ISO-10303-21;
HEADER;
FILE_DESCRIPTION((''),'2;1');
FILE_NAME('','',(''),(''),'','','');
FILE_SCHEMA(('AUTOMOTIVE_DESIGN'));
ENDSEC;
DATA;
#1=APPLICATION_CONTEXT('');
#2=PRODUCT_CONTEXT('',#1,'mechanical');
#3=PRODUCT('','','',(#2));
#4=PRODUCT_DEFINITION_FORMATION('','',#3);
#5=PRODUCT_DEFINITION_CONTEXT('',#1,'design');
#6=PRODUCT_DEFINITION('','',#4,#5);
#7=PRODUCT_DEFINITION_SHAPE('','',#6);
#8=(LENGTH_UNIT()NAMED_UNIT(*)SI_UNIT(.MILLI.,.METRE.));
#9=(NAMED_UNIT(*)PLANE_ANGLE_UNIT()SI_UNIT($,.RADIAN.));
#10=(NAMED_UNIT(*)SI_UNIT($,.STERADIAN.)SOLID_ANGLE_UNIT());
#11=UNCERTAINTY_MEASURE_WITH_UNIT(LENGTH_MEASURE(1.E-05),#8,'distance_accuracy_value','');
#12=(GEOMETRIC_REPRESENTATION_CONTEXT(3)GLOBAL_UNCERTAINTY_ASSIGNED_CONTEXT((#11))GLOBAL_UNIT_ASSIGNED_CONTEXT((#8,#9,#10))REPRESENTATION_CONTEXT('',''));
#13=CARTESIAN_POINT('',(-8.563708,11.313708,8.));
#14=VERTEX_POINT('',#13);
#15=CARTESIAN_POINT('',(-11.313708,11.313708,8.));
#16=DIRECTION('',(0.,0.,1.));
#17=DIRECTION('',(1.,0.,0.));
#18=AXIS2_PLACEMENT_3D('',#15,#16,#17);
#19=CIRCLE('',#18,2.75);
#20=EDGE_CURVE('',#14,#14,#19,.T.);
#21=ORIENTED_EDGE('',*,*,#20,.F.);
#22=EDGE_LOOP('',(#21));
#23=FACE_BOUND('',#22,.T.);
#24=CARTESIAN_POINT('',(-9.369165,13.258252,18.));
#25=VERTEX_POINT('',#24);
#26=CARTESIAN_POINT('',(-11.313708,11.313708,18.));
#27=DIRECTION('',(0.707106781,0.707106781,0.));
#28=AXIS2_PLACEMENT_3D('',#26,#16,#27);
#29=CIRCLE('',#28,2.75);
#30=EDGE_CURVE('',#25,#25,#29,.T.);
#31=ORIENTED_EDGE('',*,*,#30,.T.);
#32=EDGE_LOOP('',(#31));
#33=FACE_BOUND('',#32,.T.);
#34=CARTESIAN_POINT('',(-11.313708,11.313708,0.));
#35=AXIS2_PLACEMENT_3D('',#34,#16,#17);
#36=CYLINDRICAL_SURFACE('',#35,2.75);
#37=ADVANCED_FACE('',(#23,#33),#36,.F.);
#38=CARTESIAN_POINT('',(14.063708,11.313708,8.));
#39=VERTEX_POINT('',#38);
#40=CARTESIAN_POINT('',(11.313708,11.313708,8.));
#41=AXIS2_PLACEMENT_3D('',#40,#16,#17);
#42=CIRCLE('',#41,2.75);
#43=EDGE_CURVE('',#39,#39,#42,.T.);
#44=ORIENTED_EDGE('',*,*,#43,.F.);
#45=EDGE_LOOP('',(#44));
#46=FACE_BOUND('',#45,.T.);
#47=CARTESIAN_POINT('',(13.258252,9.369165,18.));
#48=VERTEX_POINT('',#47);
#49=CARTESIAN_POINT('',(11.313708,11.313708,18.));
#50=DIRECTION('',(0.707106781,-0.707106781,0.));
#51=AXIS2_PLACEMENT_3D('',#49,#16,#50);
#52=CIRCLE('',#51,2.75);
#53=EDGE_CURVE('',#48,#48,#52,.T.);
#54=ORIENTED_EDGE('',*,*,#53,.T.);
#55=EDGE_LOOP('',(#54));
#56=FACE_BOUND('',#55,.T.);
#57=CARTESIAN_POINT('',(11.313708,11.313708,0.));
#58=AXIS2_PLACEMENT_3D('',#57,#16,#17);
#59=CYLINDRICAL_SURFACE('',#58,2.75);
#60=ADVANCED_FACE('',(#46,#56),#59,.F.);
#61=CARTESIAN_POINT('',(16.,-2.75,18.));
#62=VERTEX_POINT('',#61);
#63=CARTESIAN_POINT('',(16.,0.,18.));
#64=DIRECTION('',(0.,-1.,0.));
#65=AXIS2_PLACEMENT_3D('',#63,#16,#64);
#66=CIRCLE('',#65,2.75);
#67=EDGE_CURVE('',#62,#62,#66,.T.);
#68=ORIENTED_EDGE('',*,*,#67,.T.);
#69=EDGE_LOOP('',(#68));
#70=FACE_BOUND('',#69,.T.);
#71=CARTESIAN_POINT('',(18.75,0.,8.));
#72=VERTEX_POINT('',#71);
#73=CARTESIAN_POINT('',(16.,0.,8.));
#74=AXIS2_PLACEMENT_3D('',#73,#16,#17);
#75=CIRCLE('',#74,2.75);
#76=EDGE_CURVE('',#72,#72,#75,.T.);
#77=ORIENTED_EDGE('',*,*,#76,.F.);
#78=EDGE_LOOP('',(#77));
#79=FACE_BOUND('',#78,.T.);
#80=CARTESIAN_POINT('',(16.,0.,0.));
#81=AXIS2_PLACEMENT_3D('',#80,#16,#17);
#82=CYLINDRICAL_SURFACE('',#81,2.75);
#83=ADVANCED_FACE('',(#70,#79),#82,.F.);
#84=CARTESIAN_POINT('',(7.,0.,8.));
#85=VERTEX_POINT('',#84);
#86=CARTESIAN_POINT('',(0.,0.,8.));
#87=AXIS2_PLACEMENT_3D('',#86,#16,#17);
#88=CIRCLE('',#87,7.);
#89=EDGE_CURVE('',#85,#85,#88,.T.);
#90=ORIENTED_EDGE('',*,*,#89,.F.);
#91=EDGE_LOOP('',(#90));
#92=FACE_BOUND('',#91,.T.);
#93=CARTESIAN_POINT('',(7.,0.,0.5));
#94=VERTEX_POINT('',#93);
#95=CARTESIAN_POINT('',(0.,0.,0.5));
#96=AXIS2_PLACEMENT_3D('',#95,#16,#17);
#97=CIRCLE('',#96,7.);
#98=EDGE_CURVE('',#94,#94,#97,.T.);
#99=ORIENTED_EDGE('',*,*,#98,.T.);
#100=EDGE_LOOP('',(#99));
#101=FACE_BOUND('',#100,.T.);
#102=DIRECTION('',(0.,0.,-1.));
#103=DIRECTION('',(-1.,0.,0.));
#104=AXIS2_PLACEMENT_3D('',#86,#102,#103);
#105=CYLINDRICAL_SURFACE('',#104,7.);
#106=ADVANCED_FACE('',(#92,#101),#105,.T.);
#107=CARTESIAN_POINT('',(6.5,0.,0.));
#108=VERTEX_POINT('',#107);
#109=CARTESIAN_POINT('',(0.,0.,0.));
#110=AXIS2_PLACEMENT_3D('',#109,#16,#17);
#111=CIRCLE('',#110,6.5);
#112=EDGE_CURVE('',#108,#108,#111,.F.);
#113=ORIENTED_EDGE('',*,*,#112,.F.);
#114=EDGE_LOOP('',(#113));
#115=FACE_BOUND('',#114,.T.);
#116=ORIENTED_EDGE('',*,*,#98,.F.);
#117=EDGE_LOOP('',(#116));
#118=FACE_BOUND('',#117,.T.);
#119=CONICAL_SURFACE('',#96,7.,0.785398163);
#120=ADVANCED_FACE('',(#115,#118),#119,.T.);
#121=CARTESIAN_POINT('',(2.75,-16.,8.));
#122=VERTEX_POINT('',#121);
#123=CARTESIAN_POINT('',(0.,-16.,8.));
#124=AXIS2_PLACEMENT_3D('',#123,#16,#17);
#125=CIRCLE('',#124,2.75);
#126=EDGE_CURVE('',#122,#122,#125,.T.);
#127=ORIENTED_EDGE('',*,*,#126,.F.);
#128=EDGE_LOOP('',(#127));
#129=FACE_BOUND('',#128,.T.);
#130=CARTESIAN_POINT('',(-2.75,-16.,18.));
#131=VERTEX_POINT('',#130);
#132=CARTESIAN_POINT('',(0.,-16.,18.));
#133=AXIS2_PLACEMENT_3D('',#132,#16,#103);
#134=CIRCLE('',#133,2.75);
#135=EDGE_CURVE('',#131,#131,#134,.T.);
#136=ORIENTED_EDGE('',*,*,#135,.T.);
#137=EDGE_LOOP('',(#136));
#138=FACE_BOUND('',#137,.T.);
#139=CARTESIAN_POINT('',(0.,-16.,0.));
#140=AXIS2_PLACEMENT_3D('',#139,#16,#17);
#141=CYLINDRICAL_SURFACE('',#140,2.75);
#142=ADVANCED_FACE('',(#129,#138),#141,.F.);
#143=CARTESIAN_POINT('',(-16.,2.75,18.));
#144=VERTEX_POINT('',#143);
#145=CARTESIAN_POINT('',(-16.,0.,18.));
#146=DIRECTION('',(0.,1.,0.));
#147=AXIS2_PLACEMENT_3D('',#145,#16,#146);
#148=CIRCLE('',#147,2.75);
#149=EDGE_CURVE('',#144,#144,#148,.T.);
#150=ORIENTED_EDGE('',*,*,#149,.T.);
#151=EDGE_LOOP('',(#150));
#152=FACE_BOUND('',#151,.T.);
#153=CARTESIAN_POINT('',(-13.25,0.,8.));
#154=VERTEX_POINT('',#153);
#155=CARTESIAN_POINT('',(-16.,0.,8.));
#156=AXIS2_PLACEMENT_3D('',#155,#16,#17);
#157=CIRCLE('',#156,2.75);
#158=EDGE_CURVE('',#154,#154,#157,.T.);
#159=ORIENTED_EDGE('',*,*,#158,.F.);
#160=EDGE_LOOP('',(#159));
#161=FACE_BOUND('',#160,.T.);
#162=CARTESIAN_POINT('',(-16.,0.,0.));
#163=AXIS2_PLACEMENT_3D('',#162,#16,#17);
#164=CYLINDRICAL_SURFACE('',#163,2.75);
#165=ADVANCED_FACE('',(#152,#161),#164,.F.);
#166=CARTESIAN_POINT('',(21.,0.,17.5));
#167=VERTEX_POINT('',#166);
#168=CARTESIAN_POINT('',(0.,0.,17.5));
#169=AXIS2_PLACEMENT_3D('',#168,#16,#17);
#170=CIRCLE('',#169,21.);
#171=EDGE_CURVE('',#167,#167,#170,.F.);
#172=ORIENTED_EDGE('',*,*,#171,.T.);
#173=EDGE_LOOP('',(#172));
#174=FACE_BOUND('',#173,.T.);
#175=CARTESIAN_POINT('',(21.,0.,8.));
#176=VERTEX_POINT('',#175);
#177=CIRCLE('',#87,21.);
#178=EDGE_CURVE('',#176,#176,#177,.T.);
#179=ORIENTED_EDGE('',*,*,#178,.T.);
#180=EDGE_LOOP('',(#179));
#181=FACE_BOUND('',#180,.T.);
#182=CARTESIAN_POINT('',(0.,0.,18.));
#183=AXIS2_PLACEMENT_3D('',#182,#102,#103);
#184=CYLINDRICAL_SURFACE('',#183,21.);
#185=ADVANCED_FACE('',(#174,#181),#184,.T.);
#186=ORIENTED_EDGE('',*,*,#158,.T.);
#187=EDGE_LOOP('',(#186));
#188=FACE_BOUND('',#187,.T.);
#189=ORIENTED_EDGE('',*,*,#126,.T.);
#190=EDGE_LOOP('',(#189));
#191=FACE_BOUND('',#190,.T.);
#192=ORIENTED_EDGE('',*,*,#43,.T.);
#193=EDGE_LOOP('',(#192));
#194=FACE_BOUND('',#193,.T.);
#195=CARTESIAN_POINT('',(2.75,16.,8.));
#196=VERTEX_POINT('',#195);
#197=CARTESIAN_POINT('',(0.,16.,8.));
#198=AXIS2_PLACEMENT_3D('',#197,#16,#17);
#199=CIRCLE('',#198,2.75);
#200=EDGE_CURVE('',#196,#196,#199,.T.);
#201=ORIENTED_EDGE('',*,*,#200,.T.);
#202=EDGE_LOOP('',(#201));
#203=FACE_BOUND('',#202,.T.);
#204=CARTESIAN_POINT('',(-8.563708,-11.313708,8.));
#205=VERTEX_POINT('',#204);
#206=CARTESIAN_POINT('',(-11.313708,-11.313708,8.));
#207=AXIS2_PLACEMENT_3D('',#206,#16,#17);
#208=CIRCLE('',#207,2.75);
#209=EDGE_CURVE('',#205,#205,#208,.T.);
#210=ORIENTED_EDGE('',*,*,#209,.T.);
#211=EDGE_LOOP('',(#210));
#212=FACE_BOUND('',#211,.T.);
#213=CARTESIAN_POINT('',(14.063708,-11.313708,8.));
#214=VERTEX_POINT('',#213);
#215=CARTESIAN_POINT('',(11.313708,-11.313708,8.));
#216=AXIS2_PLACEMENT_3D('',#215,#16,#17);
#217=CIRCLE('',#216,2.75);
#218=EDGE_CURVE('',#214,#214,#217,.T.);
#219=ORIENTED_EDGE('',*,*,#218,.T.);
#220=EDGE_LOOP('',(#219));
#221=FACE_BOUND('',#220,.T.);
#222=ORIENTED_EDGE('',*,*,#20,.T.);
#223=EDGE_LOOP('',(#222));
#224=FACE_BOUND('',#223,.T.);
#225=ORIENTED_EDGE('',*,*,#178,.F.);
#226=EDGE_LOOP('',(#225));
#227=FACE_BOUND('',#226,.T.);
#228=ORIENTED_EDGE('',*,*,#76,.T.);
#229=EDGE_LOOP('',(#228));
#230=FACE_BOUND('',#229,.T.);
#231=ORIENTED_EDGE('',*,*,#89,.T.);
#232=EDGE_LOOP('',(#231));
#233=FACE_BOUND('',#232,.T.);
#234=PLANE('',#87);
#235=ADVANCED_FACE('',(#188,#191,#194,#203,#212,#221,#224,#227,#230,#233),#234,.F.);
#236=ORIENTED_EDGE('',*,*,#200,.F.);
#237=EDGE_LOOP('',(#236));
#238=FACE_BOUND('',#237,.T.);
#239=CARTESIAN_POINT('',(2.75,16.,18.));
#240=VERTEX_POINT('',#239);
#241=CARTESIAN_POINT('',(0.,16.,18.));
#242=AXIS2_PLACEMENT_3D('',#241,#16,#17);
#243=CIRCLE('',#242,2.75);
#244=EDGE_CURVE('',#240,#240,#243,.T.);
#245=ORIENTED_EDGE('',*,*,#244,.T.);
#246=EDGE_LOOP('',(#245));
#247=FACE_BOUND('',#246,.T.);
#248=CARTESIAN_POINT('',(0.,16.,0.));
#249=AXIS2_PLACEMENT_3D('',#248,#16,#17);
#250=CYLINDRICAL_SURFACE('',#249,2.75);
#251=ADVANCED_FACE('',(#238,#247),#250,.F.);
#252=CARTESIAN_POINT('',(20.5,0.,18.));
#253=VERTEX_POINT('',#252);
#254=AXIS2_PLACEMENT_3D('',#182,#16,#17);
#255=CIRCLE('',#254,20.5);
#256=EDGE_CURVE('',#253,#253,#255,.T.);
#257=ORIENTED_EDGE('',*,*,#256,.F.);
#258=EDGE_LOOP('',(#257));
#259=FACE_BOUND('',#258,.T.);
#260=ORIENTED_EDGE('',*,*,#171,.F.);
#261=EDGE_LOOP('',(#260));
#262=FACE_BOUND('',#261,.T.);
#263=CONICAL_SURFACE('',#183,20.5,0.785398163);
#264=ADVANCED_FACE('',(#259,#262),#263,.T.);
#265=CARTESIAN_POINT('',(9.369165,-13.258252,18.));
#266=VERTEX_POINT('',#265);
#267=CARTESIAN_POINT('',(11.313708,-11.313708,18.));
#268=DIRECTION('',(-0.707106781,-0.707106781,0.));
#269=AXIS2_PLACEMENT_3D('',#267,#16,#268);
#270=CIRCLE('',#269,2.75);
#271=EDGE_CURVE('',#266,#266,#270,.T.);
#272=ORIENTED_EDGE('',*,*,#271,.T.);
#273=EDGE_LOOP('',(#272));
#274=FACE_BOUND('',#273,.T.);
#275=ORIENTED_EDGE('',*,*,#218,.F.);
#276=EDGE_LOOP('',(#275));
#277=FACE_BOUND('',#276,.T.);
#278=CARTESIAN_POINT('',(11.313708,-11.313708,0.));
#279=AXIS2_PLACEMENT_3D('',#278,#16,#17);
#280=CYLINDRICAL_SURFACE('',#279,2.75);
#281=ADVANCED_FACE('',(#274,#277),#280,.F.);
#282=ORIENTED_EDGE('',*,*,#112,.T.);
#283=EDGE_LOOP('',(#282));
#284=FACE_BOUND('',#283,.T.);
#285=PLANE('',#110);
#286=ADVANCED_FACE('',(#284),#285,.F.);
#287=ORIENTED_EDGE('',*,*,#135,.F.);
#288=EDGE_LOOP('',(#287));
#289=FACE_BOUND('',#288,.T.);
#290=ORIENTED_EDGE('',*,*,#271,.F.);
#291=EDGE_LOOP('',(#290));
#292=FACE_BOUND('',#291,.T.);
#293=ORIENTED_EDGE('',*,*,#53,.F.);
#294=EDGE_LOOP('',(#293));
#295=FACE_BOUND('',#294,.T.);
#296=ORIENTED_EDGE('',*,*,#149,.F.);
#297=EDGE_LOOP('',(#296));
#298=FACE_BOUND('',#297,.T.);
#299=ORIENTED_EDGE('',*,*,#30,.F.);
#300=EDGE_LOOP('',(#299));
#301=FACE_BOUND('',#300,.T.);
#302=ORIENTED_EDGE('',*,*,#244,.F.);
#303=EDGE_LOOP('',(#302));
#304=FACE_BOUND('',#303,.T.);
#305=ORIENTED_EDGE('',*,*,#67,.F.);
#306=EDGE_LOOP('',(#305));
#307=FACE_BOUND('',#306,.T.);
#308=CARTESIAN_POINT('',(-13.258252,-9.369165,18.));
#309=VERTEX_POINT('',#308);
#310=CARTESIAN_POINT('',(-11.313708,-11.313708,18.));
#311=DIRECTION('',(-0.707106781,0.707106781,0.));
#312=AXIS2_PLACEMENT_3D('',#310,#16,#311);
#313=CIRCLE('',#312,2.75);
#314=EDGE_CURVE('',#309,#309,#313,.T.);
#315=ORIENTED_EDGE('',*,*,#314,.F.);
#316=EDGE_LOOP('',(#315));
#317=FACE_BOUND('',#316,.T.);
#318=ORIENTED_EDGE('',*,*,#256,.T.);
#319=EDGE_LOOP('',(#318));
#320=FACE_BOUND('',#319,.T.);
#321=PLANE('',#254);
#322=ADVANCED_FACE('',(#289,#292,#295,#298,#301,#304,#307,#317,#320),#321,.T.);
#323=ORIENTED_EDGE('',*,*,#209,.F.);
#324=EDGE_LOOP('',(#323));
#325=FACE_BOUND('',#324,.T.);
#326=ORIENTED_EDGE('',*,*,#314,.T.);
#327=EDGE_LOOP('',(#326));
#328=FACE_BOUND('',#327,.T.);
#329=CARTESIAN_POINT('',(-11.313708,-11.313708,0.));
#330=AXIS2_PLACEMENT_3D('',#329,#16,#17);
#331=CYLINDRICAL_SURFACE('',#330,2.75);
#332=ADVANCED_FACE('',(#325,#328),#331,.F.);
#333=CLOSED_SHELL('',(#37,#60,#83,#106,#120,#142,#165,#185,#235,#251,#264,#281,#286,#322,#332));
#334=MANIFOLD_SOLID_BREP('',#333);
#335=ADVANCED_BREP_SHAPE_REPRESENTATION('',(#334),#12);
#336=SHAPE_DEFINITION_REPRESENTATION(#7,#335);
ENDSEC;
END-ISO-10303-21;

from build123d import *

# Parameters (mm, degrees)
SCHIZZO1_R                   = 7
ESTRUSIONE_ESTRUSIONE1_DEPTH = 8
SCHIZZO2_R                   = 21
ESTRUSIONE_ESTRUSIONE2_DEPTH = 10
SCHIZZO3_R                   = 2.75
TAGLIO_ESTRUSIONE1_DEPTH     = 35.727510708
RIPETIZIONECIRCOLARE1_COUNT  = 8
SMUSSO1_SIZE                 = 0.5
SMUSSO2_SIZE                 = 0.5


with BuildPart() as part:
    # Schizzo1 → Estrusione-Estrusione1 (new body)
    with BuildSketch(Plane.XY):
        Circle(SCHIZZO1_R)
    extrude(amount=ESTRUSIONE_ESTRUSIONE1_DEPTH)

    # Schizzo2 → Estrusione-Estrusione2 (add)
    with BuildSketch(Plane.XY.offset(8)):
        Circle(SCHIZZO2_R)
    extrude(amount=ESTRUSIONE_ESTRUSIONE2_DEPTH)

    # Schizzo3 → Taglio-Estrusione1 (cut, through all)
    with BuildSketch(Plane.XY.offset(18)):
        with Locations((0, 16)):
            Circle(SCHIZZO3_R)
    taglio_estrusione1 = extrude(amount=-TAGLIO_ESTRUSIONE1_DEPTH, mode=Mode.SUBTRACT)

    # RipetizioneCircolare1: Taglio-Estrusione1 ×8 about axis
    ripetizionecircolare1_axis = Axis((0, 0, 0), (0, 0, 1))
    for i in range(1, RIPETIZIONECIRCOLARE1_COUNT):
        add(taglio_estrusione1.rotate(ripetizionecircolare1_axis, i * 360 / RIPETIZIONECIRCOLARE1_COUNT), mode=Mode.SUBTRACT)

    # Smusso1
    smusso1_edges = [part.edges().sort_by_distance(p)[0] for p in [
        (-7, 0, 0),
    ]]
    chamfer(smusso1_edges, length=SMUSSO1_SIZE)

    # Smusso2
    smusso2_edges = [part.edges().sort_by_distance(p)[0] for p in [
        (-21, 0, 18),
    ]]
    chamfer(smusso2_edges, length=SMUSSO2_SIZE)


solid = part.part
